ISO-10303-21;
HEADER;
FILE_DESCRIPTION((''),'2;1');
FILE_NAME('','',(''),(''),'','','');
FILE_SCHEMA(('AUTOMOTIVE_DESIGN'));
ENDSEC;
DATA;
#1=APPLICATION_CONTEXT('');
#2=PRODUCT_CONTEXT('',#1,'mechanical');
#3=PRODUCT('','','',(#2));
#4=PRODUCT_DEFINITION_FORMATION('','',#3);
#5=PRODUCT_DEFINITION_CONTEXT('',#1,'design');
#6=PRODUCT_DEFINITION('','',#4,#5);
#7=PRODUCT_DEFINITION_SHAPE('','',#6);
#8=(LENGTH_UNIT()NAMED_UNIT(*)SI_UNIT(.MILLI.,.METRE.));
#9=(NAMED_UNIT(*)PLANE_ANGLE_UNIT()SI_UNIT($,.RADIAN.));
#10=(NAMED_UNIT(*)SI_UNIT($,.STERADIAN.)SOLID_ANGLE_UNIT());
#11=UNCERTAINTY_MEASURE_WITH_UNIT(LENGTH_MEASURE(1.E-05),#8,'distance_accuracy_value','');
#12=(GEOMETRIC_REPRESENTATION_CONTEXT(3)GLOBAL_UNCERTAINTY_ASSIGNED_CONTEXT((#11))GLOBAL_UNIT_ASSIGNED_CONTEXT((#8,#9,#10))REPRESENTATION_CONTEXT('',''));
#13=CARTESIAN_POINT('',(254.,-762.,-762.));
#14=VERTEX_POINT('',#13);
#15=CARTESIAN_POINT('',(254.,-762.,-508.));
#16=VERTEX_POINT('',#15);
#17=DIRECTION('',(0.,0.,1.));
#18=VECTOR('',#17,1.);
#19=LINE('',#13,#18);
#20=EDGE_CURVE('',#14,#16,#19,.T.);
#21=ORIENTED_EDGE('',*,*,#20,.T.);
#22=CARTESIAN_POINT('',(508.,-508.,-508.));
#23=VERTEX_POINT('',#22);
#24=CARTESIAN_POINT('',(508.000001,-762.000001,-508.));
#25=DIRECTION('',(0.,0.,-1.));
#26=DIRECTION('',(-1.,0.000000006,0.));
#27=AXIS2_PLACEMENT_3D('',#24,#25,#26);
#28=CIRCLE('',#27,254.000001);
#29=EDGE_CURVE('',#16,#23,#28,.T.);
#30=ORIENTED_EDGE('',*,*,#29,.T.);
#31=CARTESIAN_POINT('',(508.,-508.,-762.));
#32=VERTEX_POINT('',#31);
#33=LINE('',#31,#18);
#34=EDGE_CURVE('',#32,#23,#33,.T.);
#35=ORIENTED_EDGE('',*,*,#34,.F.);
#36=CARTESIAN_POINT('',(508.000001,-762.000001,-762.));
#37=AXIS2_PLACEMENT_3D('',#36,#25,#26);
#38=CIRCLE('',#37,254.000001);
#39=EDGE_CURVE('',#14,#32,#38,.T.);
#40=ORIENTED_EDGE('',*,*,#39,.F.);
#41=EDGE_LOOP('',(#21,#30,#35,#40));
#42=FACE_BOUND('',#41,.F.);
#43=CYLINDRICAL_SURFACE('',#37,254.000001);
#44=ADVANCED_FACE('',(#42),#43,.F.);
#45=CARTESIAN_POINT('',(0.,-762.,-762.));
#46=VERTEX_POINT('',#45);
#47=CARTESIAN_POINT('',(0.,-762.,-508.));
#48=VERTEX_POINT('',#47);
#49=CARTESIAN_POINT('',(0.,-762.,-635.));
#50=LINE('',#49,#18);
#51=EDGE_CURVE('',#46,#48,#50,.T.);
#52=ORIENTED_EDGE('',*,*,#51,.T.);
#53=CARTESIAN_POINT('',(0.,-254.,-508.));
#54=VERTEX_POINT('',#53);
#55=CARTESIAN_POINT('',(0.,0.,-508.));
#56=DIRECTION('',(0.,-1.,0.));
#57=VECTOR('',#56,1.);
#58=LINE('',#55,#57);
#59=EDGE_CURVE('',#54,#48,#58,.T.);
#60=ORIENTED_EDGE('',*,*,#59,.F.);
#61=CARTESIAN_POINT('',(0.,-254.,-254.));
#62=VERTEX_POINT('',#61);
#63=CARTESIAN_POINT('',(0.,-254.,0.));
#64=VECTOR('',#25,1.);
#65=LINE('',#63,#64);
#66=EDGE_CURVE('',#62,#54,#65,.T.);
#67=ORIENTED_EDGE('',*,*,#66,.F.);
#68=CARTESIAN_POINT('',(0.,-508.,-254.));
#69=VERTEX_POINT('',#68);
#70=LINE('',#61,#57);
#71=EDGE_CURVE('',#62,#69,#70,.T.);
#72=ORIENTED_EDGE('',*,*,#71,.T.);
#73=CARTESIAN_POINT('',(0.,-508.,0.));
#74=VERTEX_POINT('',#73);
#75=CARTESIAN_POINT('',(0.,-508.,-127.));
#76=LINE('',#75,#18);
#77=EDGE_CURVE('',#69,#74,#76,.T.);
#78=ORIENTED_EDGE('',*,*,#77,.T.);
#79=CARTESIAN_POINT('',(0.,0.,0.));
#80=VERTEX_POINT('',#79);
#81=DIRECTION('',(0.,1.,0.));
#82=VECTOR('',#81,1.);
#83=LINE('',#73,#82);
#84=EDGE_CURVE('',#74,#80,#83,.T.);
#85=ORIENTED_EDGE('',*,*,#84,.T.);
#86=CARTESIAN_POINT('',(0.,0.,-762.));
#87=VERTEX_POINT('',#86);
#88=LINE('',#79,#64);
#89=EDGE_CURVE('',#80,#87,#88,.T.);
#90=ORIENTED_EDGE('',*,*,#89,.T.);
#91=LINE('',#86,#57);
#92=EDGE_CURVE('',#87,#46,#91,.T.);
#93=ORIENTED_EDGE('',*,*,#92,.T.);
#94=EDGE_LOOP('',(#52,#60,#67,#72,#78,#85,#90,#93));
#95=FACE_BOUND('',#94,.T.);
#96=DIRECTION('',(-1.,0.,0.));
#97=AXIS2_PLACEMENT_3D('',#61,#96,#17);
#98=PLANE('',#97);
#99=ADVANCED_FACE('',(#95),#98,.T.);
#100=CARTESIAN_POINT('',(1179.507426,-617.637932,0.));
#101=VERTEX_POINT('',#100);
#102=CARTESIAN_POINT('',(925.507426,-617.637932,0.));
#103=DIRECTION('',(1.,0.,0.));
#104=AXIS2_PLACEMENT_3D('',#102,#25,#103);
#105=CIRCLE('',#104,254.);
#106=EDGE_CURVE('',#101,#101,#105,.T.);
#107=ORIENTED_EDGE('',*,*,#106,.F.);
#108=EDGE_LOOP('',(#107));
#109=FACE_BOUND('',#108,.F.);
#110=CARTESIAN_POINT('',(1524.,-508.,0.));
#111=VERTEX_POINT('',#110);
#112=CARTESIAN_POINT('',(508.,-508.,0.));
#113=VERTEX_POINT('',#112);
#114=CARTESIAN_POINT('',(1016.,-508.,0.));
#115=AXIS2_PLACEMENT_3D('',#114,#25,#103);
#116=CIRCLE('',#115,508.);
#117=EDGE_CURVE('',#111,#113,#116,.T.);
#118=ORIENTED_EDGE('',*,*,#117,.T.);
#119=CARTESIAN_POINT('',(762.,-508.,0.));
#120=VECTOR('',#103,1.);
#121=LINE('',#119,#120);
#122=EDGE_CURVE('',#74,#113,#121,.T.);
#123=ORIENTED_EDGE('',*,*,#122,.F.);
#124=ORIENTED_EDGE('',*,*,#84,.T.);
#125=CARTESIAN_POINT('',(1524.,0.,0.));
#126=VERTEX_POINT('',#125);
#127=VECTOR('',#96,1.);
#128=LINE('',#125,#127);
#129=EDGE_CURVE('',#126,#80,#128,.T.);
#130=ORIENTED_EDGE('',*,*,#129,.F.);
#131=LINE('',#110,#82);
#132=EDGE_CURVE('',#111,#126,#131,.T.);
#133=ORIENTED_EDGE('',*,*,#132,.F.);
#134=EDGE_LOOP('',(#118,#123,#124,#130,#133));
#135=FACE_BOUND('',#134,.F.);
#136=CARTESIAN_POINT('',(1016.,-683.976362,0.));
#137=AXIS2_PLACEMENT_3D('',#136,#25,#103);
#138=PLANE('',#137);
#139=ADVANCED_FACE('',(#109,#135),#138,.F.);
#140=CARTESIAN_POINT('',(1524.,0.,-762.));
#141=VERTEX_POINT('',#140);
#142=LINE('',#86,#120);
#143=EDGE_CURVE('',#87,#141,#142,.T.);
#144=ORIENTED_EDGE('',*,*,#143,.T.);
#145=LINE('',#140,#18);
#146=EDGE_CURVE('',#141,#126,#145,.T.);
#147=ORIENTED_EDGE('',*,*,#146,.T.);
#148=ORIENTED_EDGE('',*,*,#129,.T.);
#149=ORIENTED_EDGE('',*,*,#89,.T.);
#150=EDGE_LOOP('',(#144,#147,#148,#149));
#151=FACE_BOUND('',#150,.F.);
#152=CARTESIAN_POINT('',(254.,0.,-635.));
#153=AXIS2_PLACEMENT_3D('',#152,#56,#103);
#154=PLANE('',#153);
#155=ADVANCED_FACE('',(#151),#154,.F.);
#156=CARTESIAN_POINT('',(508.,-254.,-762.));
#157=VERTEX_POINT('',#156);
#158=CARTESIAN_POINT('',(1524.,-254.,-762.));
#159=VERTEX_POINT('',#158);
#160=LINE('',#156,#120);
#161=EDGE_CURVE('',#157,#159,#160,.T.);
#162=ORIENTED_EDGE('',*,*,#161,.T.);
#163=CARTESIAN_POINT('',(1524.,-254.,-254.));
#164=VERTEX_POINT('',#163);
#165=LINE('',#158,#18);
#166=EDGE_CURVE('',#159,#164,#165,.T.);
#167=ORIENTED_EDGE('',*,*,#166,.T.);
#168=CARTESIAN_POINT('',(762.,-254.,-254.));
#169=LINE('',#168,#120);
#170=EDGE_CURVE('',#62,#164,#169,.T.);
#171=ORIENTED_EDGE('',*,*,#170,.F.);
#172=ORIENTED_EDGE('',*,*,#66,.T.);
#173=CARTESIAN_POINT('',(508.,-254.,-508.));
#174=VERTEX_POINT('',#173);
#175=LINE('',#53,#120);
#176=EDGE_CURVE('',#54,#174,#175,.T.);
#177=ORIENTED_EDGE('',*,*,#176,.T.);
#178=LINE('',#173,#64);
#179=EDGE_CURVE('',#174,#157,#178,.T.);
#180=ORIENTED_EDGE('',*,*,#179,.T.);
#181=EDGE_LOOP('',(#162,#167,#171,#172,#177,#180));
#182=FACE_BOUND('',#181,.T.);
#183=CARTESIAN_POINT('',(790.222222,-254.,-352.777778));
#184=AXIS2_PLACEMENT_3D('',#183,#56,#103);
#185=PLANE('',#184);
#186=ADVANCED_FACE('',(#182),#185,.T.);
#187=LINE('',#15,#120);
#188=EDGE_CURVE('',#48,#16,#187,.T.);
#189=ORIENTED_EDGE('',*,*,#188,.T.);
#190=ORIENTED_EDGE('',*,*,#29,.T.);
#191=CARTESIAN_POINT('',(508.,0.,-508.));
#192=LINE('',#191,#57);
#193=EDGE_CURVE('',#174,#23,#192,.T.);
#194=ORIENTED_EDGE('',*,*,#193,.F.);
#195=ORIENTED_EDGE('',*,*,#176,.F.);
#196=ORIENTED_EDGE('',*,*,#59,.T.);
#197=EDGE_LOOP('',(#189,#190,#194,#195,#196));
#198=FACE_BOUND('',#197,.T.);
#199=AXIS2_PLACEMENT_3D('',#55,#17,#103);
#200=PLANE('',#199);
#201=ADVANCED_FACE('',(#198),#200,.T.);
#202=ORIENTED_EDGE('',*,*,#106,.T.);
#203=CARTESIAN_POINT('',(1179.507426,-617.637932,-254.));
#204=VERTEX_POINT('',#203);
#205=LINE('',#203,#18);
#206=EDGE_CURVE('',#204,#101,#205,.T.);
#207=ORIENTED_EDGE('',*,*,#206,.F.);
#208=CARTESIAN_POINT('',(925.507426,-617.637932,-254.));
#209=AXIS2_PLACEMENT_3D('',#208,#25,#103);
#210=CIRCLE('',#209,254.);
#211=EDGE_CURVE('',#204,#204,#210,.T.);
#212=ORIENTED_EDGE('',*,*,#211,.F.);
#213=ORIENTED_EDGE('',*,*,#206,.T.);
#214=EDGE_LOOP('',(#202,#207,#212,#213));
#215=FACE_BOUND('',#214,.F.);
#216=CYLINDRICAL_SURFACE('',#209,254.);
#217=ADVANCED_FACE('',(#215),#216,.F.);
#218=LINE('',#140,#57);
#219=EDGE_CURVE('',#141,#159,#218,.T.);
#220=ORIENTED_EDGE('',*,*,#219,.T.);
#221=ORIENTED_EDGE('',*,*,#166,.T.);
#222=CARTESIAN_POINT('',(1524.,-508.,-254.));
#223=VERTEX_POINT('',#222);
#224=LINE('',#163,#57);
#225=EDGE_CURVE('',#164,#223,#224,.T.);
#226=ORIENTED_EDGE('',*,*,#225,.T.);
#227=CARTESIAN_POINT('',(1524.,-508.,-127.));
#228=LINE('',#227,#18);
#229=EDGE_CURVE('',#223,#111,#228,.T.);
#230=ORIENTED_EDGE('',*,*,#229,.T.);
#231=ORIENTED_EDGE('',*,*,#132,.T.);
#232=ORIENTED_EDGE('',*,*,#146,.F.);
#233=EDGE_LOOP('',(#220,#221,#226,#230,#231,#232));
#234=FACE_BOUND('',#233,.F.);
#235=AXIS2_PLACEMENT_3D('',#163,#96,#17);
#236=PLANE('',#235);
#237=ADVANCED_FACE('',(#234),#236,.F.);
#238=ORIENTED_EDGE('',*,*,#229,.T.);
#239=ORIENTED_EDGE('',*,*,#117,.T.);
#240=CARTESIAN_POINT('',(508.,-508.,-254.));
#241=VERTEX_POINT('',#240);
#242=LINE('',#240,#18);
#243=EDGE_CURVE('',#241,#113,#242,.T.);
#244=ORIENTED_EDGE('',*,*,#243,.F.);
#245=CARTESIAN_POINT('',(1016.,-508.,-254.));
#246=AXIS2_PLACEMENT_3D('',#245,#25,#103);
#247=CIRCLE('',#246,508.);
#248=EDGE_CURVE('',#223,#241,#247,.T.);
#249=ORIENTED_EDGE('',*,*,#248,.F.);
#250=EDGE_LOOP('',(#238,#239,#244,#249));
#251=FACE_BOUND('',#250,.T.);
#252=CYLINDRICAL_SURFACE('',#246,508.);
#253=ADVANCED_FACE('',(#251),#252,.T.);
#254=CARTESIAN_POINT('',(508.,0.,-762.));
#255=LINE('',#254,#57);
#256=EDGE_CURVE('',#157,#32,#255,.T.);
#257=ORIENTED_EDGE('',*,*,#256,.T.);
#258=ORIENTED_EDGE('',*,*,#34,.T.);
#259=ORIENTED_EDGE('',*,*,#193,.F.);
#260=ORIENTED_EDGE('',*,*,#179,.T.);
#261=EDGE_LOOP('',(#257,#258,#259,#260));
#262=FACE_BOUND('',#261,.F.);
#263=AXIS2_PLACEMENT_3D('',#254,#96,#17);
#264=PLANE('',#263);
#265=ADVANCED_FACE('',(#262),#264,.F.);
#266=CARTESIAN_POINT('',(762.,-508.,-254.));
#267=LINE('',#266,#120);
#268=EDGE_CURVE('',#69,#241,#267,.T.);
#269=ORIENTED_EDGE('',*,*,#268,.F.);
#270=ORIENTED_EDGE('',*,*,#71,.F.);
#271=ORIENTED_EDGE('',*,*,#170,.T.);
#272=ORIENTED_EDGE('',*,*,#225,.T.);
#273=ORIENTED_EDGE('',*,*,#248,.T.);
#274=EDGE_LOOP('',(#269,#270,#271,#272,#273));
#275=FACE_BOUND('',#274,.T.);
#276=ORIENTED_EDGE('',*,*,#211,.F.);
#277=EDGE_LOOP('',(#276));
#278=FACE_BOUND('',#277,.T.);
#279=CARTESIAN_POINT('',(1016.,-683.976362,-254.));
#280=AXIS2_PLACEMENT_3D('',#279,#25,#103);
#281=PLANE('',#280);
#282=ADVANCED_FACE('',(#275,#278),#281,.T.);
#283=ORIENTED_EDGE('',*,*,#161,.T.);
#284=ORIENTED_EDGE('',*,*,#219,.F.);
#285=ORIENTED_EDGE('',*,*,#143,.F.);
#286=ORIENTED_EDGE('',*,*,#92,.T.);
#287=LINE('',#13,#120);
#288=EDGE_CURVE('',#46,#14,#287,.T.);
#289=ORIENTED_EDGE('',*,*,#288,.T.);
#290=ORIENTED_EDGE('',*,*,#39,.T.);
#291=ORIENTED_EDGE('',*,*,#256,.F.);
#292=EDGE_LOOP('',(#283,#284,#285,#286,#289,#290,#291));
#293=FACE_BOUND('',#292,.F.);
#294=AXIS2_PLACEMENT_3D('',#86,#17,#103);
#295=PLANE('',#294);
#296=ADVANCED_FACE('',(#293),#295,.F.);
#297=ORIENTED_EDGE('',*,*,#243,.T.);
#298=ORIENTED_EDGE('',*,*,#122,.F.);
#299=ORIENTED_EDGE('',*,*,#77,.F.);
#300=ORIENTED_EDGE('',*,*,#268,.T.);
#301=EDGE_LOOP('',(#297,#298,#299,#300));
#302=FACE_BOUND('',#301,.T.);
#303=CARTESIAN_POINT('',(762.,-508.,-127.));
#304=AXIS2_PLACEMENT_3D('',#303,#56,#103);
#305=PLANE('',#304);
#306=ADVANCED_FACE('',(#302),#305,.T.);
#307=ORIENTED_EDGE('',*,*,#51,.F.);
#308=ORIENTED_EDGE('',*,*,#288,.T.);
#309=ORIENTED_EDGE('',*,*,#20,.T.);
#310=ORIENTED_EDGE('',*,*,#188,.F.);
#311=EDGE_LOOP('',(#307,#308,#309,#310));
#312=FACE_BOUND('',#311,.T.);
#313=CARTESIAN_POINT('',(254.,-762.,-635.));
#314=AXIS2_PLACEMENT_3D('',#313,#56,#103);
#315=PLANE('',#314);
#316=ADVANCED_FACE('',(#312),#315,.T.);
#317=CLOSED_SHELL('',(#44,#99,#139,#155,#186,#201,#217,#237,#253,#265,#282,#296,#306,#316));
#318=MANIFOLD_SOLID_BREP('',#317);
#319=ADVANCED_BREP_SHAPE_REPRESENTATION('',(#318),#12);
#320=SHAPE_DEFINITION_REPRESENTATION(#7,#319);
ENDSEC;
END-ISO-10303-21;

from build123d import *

# Parameters (mm, degrees)
F1_DEPTH  = 254
F0_W      = 508
F0_H      = 254
F2_DEPTH  = 762
F4_DEPTH  = 254
F5_W      = 1524
F5_H      = 254
F6_DEPTH  = 254
F8_DEPTH  = 254
F9_R      = 254
F10_DEPTH = 254


with BuildPart() as f1:
    # F0 (on Front) → F1 (new body)
    with BuildSketch(Plane.XZ):
        Polygon((0, 0), (0, -508), (508, -508), (508, -762), (1524, -762), (1524, 0), align=None)
    extrude(amount=F1_DEPTH)

    # F0 (on Front) → F2 (join)
    with BuildSketch(Plane.XZ):
        with Locations((254, -635)):
            Rectangle(F0_W, F0_H)
    extrude(amount=F2_DEPTH)

    # F3 (on face) → F4 (cut)
    with BuildSketch(Plane(origin=(0, 0, -762), x_dir=(1, 0, 0), z_dir=(0, 0, -1))):
        with BuildLine():
            ThreePointArc((254, 762), (328.394878, 582.394878), (508, 508))
            Line((508, 508), (508, 762))
            Line((508, 762), (254, 762))
        make_face()
    extrude(amount=-F4_DEPTH, mode=Mode.SUBTRACT)

    # F5 (on face) → F6 (join)
    with BuildSketch(Plane.XZ.offset(254)):
        with Locations((762, -127)):
            Rectangle(F5_W, F5_H)
    extrude(amount=F6_DEPTH)

    # F7 (on face) → F8 (join)
    with BuildSketch(Plane(origin=(0, 0, -254), x_dir=(1, 0, 0), z_dir=(0, 0, -1))):
        with BuildLine():
            Line((508, 508), (1524, 508))
            ThreePointArc((1524, 508), (1016, 1016), (508, 508))
        make_face()
    extrude(amount=-F8_DEPTH)

    # F9 (on face) → F10 (cut)
    with BuildSketch(Plane(origin=(0, 0, -254), x_dir=(1, 0, 0), z_dir=(0, 0, -1))):
        with Locations((925.507426, 617.637932)):
            Circle(F9_R)
    extrude(amount=-F10_DEPTH, mode=Mode.SUBTRACT)


solid = f1.part
